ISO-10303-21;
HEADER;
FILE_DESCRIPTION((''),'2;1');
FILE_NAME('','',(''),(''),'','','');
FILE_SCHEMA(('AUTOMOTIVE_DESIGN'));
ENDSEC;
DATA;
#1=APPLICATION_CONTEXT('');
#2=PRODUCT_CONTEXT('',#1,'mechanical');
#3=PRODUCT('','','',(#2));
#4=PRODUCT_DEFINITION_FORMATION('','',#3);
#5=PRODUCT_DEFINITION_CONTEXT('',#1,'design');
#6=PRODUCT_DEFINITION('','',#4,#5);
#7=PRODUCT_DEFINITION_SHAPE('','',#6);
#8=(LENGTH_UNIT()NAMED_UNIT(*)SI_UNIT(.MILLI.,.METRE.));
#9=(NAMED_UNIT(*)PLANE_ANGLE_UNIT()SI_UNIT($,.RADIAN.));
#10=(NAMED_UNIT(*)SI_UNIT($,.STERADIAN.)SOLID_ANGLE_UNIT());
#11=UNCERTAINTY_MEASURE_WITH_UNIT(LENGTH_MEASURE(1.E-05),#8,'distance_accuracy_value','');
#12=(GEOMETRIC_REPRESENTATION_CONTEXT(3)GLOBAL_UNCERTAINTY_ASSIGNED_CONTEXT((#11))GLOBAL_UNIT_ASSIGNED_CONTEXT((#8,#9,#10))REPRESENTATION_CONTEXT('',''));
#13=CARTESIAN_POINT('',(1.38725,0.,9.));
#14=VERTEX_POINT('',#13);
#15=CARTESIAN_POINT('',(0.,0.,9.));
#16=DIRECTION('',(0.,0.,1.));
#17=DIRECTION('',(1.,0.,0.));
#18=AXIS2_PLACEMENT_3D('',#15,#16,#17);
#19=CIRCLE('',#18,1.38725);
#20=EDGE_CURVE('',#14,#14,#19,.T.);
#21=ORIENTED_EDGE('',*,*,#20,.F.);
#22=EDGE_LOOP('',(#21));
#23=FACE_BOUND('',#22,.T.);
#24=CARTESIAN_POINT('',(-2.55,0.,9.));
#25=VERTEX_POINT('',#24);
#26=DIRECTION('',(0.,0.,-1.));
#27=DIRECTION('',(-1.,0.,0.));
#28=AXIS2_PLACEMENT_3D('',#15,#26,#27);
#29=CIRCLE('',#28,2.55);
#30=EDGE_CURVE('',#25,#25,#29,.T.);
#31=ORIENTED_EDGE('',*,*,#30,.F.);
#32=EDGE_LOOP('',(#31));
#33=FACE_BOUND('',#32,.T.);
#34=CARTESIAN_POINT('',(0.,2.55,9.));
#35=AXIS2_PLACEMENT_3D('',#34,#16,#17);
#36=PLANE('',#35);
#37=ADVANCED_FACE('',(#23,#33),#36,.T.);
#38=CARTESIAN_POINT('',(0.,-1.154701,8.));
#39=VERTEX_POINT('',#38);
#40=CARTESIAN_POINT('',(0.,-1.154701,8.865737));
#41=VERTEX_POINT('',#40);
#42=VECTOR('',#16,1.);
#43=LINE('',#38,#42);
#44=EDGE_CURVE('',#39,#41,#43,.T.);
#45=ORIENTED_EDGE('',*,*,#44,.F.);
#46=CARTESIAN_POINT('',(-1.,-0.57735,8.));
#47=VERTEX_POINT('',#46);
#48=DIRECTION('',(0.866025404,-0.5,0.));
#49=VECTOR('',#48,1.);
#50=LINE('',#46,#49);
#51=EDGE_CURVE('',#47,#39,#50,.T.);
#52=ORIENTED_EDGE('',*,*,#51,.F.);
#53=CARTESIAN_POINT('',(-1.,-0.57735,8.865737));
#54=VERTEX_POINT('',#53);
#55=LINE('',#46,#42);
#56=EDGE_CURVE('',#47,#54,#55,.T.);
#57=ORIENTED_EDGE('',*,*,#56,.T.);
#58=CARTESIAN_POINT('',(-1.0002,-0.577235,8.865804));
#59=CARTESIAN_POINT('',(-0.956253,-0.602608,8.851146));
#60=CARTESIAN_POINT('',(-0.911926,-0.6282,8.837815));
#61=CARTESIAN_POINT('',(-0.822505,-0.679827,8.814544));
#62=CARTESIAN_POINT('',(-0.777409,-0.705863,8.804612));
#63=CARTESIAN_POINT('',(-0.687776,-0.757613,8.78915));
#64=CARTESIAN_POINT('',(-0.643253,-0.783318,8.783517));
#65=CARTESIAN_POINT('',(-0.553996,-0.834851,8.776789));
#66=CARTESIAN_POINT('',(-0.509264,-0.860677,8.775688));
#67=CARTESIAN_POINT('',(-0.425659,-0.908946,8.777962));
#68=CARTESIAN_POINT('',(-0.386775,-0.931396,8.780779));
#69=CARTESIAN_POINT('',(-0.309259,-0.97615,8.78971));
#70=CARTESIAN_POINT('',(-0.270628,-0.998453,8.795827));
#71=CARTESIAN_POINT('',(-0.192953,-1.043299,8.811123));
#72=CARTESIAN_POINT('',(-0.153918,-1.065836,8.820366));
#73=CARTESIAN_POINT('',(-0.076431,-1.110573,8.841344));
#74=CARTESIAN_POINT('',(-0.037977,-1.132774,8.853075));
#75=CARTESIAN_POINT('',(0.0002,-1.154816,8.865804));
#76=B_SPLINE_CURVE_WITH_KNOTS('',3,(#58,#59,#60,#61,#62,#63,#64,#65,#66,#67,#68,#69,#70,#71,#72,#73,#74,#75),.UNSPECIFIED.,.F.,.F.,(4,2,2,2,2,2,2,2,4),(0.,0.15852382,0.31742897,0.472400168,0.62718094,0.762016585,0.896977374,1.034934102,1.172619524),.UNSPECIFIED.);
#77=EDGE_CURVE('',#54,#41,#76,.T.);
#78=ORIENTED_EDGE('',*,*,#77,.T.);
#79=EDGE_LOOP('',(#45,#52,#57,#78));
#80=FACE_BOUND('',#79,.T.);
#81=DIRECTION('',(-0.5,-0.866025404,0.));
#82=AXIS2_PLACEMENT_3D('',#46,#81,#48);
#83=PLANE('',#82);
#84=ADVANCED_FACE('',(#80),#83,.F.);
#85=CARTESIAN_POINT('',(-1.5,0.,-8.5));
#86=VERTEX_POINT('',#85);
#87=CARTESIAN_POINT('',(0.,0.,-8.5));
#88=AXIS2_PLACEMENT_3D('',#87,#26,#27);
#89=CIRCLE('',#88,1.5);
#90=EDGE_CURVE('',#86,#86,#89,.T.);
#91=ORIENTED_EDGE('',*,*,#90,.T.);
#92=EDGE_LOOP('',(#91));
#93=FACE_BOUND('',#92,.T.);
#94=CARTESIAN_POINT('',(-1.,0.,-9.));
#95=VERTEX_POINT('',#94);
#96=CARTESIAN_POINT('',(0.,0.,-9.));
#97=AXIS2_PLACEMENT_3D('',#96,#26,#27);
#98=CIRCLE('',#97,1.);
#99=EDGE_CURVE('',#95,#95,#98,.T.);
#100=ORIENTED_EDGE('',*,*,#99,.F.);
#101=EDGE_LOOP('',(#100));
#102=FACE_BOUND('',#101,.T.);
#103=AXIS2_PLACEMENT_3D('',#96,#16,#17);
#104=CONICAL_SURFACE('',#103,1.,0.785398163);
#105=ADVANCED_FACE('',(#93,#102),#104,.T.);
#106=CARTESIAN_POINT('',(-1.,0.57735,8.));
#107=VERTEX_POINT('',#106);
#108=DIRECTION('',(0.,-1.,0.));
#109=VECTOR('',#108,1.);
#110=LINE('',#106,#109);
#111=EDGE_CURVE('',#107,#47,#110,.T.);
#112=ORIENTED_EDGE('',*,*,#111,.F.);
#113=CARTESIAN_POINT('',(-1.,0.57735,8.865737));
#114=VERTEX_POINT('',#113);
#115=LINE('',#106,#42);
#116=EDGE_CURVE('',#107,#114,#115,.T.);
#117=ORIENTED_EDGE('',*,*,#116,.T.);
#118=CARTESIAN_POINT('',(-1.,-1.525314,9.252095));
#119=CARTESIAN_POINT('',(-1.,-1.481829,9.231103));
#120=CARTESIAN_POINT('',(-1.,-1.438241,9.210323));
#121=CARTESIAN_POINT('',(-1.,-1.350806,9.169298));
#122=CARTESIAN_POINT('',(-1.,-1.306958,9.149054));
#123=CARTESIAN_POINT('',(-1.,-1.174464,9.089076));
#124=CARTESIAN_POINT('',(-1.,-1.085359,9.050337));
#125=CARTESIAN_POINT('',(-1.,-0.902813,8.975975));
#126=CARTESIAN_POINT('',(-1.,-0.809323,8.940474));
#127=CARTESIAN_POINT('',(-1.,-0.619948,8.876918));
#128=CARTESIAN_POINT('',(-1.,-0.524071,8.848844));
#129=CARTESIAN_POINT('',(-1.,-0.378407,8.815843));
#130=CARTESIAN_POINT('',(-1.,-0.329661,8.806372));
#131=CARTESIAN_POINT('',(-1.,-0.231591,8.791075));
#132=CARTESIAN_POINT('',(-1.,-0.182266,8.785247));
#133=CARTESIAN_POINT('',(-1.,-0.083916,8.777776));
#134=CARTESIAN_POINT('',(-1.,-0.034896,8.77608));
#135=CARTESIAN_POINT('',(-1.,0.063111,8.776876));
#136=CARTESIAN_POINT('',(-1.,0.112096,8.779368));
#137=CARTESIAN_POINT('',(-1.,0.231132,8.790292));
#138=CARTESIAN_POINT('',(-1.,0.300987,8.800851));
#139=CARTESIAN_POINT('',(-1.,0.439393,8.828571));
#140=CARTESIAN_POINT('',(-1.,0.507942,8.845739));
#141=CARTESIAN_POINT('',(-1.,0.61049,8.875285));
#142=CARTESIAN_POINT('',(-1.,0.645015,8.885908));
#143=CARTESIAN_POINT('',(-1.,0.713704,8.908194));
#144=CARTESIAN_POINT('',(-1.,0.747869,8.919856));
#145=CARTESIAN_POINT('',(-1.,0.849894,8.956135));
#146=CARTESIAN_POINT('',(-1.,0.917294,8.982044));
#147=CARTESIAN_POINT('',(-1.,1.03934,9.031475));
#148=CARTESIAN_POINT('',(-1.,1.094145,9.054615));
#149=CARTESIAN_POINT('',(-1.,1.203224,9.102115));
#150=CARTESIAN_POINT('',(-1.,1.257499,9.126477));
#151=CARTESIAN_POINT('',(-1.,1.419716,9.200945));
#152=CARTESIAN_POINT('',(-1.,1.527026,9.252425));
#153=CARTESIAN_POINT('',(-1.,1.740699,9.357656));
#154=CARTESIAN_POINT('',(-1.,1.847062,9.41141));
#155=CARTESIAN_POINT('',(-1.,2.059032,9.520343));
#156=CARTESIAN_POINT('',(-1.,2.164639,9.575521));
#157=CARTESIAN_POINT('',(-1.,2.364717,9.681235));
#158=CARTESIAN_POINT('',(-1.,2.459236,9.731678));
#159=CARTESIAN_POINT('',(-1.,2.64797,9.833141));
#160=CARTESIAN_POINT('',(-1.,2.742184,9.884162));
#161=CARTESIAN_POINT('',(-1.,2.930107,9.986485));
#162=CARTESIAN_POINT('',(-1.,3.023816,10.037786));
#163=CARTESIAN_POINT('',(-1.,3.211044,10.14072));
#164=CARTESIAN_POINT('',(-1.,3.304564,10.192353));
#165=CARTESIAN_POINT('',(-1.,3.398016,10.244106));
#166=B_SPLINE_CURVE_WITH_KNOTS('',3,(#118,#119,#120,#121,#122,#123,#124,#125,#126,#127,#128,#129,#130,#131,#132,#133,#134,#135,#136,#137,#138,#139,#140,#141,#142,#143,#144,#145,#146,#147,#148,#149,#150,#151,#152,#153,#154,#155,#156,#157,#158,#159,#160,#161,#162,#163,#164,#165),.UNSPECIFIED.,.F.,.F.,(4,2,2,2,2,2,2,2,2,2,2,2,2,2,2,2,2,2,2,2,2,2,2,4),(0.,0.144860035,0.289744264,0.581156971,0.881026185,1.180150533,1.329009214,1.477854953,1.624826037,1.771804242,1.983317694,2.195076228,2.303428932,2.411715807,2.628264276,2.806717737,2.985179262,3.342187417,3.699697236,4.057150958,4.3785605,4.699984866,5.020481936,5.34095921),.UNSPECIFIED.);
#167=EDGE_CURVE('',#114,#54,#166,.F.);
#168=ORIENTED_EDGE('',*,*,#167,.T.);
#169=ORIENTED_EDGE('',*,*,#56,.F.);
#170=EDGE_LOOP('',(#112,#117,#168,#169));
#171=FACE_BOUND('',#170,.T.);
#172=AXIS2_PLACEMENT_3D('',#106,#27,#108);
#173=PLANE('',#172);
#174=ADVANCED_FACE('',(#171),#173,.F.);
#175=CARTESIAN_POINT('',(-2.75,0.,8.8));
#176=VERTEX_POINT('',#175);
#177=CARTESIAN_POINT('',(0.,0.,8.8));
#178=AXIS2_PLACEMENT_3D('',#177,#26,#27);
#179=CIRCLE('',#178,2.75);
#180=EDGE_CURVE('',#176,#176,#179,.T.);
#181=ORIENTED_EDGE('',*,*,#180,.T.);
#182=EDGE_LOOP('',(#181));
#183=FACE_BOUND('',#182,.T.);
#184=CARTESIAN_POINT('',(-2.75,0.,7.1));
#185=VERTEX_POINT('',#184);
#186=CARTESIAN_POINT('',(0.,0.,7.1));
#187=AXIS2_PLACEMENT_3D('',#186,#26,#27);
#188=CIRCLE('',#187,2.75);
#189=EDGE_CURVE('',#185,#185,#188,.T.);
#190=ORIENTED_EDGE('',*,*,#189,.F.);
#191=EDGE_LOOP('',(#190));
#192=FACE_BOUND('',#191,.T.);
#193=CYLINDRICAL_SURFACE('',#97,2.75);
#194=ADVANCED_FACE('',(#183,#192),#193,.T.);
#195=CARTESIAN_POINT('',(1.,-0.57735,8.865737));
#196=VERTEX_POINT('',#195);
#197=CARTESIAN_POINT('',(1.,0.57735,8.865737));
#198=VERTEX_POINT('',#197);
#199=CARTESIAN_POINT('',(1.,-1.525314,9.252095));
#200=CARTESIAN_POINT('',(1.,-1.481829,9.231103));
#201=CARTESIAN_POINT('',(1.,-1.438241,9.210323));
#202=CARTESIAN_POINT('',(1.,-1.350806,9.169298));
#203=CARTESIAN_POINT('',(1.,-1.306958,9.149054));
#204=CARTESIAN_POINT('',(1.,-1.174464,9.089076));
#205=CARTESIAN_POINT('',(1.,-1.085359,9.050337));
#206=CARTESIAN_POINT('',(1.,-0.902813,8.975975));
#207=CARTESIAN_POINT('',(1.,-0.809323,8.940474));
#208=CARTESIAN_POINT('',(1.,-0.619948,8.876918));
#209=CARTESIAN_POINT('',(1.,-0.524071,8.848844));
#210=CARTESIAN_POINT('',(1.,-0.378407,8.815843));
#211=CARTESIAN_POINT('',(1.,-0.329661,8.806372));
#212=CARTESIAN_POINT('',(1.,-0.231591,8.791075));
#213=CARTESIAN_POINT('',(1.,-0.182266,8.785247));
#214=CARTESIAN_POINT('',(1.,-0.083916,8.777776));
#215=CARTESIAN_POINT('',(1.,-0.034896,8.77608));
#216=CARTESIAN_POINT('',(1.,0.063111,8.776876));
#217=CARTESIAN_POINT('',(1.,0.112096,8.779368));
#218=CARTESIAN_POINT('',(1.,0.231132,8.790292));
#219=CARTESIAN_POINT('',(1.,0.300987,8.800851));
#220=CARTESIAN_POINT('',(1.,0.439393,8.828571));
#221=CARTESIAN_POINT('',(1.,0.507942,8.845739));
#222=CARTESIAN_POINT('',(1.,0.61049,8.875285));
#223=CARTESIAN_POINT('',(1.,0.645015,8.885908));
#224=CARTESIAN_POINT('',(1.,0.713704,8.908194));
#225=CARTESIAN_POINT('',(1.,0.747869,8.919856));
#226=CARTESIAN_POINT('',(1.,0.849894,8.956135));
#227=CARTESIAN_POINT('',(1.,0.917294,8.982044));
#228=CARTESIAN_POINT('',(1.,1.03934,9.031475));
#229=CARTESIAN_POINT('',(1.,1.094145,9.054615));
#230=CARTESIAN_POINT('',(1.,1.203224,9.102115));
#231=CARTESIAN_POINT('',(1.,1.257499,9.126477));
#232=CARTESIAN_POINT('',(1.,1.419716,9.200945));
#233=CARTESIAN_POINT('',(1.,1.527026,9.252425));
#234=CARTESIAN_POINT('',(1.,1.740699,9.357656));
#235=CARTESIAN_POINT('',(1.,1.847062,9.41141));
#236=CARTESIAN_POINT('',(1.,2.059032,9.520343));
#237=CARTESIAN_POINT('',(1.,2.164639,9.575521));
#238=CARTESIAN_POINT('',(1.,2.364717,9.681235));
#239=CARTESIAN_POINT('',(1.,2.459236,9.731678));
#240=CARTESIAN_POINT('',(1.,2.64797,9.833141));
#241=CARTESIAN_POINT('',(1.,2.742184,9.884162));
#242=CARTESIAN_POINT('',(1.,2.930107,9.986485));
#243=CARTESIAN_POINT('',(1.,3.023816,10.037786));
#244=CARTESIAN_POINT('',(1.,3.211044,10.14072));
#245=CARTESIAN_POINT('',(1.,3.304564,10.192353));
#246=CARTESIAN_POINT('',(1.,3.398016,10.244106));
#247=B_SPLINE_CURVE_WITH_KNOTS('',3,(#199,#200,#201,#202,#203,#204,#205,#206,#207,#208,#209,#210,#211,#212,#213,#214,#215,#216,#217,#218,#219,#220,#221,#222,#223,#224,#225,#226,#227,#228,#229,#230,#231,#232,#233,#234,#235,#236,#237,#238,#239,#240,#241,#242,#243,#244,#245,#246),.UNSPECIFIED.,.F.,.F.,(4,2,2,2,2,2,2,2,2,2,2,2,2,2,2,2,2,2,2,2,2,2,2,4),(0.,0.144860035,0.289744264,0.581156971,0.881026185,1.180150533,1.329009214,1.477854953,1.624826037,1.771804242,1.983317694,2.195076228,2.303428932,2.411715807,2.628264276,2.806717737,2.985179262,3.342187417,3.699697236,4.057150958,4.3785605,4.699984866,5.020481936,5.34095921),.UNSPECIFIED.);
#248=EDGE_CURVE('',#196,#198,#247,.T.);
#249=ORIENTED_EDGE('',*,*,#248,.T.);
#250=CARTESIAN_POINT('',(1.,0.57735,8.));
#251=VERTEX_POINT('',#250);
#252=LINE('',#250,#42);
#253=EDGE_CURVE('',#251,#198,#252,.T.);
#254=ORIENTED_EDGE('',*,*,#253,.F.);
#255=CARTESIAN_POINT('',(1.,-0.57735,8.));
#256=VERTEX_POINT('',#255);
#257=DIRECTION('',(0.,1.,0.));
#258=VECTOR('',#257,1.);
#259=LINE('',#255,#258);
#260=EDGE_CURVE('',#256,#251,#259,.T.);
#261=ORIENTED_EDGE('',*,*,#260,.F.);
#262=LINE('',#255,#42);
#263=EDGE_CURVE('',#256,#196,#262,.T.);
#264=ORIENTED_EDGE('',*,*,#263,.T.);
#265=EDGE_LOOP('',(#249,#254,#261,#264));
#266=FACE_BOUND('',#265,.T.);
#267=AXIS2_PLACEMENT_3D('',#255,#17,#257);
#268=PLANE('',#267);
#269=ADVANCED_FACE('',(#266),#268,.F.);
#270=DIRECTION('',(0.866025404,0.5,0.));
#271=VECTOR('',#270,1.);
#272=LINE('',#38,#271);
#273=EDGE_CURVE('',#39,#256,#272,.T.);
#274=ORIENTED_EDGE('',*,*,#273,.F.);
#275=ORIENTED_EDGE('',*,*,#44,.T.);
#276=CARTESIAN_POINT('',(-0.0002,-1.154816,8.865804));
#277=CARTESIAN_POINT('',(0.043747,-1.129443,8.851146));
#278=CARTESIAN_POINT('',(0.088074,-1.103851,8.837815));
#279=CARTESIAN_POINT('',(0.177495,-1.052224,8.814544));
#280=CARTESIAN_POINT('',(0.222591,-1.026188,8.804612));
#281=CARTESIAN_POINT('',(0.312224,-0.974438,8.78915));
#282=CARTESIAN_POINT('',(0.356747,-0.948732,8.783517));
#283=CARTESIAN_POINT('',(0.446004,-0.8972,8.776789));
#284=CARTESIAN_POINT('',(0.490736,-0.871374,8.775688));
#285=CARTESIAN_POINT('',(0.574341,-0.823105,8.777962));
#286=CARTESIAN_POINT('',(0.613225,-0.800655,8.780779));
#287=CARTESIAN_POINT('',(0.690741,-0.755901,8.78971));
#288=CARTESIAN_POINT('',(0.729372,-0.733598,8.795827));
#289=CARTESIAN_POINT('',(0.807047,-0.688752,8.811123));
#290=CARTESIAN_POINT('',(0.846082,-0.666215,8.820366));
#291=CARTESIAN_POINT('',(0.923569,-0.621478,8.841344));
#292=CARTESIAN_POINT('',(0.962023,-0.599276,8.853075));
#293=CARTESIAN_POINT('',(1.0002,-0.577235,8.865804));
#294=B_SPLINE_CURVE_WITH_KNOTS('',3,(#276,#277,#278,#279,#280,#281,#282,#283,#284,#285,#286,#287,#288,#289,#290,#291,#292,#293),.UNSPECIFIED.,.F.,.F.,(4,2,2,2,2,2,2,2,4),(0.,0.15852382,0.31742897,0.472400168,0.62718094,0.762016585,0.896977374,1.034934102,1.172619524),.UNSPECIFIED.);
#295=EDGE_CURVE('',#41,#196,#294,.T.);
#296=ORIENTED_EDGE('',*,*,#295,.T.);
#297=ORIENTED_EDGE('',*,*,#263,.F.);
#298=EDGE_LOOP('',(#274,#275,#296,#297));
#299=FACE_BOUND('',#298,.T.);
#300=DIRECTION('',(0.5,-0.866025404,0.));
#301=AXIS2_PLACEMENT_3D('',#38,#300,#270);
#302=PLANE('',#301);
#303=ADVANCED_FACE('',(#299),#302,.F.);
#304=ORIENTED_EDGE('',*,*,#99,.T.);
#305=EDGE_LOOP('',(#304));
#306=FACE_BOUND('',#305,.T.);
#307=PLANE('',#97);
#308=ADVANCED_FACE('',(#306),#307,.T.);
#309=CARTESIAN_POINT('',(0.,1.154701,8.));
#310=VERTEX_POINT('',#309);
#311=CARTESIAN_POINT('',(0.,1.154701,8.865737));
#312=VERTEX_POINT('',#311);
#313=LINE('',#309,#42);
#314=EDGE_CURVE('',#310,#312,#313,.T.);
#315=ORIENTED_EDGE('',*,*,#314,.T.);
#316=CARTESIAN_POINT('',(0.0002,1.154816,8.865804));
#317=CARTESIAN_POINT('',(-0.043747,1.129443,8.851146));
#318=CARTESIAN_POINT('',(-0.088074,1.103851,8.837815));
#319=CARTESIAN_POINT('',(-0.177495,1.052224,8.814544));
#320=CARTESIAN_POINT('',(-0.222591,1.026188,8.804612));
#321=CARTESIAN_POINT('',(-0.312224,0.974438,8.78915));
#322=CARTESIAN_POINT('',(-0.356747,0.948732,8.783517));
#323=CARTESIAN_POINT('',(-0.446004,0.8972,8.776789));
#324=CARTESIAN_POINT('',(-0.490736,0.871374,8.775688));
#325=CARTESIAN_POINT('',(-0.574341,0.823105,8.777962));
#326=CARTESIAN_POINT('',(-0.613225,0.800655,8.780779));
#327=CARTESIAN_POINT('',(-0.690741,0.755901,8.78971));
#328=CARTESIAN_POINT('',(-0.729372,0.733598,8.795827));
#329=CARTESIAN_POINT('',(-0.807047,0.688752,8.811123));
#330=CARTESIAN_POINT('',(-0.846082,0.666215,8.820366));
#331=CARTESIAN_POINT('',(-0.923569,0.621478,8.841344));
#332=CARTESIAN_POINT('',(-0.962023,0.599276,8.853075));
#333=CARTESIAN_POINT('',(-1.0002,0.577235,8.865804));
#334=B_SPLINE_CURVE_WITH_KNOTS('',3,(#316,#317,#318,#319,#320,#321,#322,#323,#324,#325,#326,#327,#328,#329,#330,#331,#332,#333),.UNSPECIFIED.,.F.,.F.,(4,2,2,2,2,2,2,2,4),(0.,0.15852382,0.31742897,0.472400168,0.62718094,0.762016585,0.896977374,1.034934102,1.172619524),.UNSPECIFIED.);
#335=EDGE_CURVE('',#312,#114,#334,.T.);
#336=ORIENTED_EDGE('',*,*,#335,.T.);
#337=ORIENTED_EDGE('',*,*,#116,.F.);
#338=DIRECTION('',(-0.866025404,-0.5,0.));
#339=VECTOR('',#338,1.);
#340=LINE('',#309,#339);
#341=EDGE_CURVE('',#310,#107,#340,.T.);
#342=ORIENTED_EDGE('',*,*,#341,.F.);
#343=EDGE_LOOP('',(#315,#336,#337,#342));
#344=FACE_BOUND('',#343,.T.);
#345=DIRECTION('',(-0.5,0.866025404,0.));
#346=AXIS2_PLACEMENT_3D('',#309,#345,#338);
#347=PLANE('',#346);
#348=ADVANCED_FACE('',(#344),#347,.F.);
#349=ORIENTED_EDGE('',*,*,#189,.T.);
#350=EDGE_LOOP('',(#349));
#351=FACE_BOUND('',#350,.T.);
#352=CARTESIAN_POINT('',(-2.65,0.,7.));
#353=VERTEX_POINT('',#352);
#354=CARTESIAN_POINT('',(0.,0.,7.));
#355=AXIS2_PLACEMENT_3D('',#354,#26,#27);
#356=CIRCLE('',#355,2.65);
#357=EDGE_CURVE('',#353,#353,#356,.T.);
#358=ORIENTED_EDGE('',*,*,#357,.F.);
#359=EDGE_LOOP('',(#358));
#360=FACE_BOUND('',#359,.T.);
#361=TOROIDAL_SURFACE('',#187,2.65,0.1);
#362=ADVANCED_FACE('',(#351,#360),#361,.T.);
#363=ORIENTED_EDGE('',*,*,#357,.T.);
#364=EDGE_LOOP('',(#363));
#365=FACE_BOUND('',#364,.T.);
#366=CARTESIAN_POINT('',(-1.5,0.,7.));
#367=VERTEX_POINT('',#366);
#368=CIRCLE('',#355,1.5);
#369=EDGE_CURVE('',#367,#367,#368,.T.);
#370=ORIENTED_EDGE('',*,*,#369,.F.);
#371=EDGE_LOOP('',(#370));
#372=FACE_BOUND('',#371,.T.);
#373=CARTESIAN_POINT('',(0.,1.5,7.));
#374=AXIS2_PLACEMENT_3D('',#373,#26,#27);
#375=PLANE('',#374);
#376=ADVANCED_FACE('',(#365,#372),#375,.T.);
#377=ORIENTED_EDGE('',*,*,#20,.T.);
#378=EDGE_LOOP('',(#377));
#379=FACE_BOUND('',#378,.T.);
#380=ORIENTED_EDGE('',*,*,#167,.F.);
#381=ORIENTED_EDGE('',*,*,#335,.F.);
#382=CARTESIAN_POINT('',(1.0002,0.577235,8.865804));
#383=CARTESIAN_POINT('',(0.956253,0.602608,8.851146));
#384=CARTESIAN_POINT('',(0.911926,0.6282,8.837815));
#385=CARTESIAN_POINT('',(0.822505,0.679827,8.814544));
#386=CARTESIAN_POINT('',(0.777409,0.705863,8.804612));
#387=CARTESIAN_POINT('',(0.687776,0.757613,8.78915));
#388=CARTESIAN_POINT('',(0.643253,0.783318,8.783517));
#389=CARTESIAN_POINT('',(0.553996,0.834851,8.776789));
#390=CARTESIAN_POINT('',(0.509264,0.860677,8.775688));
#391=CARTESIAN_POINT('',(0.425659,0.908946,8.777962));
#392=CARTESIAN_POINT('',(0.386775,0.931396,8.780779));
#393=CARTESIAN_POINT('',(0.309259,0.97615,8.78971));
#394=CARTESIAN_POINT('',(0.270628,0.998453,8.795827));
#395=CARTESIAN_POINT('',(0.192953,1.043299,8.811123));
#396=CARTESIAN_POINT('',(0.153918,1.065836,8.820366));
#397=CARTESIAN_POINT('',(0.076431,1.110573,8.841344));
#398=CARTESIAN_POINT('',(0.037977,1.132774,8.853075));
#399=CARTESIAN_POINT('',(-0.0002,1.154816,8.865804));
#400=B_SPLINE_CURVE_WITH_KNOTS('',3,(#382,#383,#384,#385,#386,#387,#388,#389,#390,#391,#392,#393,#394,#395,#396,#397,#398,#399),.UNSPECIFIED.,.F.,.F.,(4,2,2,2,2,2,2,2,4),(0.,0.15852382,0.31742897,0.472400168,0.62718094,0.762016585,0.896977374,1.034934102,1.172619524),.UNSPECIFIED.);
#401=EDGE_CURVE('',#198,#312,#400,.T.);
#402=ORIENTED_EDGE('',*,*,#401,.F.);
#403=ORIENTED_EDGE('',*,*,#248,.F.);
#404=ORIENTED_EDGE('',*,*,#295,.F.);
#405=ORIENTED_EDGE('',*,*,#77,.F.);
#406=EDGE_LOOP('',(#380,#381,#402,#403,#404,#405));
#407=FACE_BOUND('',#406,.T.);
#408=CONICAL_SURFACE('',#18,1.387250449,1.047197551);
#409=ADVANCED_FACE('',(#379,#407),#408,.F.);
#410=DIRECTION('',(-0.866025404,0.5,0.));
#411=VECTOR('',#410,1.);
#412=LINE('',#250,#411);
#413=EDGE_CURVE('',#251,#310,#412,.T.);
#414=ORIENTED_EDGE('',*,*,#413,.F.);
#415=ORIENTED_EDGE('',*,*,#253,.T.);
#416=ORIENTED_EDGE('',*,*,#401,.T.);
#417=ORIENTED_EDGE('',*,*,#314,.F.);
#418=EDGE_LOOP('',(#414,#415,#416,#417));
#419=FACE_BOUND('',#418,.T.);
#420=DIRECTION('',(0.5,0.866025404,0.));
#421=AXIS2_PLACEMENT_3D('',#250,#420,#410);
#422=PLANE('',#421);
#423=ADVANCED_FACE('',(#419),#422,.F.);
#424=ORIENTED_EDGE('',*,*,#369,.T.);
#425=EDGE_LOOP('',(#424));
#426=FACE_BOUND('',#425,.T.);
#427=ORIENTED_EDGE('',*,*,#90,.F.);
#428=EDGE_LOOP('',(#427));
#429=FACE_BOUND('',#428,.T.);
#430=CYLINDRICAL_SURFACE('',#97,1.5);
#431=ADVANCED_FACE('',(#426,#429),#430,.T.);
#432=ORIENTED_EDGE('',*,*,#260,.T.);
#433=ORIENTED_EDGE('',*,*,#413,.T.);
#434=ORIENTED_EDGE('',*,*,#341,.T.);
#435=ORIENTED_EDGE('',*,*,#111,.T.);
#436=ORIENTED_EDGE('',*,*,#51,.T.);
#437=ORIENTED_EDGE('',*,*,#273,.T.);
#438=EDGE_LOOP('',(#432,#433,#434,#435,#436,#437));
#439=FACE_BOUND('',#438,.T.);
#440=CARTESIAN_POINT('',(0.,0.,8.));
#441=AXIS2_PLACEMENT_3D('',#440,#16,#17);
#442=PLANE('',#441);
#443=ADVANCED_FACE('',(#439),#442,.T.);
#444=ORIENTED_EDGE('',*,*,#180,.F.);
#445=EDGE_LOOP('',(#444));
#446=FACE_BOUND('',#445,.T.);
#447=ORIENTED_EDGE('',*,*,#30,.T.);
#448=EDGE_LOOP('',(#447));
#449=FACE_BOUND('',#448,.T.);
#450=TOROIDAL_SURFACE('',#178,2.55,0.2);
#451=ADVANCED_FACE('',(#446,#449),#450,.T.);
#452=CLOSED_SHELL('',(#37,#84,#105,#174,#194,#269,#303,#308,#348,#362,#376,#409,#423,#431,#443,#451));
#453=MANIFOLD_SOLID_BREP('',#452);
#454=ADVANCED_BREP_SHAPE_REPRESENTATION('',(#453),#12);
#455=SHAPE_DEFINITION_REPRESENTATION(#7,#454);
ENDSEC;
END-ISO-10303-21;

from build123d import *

# Parameters (mm, degrees)
CUT_EXTRUDE1_START = 9
CUT_EXTRUDE1_DEPTH = 1


with BuildPart() as part:
    # Sketch2 → Revolve1 (revolve)
    with BuildSketch(Plane(origin=(0, 0, 0), x_dir=(0, 0, -1), z_dir=(1, 0, 0)), mode=Mode.PRIVATE) as revolve1_sk:
        with BuildLine():
            Line((9, 0), (9, 1))
            Line((9, 1), (8.5, 1.5))
            Line((8.5, 1.5), (-7, 1.5))
            Line((-7, 1.5), (-7, 2.65))
            ThreePointArc((-7, 2.65), (-7.029289322, 2.720710678), (-7.1, 2.75))
            Line((-7.1, 2.75), (-8.8, 2.75))
            ThreePointArc((-8.8, 2.75), (-8.941421356, 2.691421356), (-9, 2.55))
            Line((-9, 2.55), (-9, 0))
            Line((-9, 0), (9, 0))
        make_face()
    revolve(revolve1_sk.sketch.rotate(Axis((0, 0, -9), (0, 0, 1)), 90), axis=Axis((0, 0, -9), (0, 0, 1)))

    # Sketch3 → Cut-Extrude1 (cut)
    with BuildSketch(Plane.XY.offset(CUT_EXTRUDE1_START)):
        Polygon((-1, 0.577350269), (-1, -0.577350269), (0, -1.154700538), (1, -0.577350269), (1, 0.577350269), (0, 1.154700538), align=None)
    extrude(amount=-CUT_EXTRUDE1_DEPTH, mode=Mode.SUBTRACT)

    # Cut-Extrude2 cone 1 section (through the dimple's axis) → Cut-Extrude2 (revolve, cut)
    with BuildSketch(Plane(origin=(0, 0, 9), x_dir=(0, -1, 0), z_dir=(1, 0, 0))):
        Polygon((0, 0), (1.387250449, 0), (0, 0.80092942), align=None)
    revolve(axis=Axis((0, 0, 9), (0, 0, -1)), mode=Mode.SUBTRACT)


solid = part.part
